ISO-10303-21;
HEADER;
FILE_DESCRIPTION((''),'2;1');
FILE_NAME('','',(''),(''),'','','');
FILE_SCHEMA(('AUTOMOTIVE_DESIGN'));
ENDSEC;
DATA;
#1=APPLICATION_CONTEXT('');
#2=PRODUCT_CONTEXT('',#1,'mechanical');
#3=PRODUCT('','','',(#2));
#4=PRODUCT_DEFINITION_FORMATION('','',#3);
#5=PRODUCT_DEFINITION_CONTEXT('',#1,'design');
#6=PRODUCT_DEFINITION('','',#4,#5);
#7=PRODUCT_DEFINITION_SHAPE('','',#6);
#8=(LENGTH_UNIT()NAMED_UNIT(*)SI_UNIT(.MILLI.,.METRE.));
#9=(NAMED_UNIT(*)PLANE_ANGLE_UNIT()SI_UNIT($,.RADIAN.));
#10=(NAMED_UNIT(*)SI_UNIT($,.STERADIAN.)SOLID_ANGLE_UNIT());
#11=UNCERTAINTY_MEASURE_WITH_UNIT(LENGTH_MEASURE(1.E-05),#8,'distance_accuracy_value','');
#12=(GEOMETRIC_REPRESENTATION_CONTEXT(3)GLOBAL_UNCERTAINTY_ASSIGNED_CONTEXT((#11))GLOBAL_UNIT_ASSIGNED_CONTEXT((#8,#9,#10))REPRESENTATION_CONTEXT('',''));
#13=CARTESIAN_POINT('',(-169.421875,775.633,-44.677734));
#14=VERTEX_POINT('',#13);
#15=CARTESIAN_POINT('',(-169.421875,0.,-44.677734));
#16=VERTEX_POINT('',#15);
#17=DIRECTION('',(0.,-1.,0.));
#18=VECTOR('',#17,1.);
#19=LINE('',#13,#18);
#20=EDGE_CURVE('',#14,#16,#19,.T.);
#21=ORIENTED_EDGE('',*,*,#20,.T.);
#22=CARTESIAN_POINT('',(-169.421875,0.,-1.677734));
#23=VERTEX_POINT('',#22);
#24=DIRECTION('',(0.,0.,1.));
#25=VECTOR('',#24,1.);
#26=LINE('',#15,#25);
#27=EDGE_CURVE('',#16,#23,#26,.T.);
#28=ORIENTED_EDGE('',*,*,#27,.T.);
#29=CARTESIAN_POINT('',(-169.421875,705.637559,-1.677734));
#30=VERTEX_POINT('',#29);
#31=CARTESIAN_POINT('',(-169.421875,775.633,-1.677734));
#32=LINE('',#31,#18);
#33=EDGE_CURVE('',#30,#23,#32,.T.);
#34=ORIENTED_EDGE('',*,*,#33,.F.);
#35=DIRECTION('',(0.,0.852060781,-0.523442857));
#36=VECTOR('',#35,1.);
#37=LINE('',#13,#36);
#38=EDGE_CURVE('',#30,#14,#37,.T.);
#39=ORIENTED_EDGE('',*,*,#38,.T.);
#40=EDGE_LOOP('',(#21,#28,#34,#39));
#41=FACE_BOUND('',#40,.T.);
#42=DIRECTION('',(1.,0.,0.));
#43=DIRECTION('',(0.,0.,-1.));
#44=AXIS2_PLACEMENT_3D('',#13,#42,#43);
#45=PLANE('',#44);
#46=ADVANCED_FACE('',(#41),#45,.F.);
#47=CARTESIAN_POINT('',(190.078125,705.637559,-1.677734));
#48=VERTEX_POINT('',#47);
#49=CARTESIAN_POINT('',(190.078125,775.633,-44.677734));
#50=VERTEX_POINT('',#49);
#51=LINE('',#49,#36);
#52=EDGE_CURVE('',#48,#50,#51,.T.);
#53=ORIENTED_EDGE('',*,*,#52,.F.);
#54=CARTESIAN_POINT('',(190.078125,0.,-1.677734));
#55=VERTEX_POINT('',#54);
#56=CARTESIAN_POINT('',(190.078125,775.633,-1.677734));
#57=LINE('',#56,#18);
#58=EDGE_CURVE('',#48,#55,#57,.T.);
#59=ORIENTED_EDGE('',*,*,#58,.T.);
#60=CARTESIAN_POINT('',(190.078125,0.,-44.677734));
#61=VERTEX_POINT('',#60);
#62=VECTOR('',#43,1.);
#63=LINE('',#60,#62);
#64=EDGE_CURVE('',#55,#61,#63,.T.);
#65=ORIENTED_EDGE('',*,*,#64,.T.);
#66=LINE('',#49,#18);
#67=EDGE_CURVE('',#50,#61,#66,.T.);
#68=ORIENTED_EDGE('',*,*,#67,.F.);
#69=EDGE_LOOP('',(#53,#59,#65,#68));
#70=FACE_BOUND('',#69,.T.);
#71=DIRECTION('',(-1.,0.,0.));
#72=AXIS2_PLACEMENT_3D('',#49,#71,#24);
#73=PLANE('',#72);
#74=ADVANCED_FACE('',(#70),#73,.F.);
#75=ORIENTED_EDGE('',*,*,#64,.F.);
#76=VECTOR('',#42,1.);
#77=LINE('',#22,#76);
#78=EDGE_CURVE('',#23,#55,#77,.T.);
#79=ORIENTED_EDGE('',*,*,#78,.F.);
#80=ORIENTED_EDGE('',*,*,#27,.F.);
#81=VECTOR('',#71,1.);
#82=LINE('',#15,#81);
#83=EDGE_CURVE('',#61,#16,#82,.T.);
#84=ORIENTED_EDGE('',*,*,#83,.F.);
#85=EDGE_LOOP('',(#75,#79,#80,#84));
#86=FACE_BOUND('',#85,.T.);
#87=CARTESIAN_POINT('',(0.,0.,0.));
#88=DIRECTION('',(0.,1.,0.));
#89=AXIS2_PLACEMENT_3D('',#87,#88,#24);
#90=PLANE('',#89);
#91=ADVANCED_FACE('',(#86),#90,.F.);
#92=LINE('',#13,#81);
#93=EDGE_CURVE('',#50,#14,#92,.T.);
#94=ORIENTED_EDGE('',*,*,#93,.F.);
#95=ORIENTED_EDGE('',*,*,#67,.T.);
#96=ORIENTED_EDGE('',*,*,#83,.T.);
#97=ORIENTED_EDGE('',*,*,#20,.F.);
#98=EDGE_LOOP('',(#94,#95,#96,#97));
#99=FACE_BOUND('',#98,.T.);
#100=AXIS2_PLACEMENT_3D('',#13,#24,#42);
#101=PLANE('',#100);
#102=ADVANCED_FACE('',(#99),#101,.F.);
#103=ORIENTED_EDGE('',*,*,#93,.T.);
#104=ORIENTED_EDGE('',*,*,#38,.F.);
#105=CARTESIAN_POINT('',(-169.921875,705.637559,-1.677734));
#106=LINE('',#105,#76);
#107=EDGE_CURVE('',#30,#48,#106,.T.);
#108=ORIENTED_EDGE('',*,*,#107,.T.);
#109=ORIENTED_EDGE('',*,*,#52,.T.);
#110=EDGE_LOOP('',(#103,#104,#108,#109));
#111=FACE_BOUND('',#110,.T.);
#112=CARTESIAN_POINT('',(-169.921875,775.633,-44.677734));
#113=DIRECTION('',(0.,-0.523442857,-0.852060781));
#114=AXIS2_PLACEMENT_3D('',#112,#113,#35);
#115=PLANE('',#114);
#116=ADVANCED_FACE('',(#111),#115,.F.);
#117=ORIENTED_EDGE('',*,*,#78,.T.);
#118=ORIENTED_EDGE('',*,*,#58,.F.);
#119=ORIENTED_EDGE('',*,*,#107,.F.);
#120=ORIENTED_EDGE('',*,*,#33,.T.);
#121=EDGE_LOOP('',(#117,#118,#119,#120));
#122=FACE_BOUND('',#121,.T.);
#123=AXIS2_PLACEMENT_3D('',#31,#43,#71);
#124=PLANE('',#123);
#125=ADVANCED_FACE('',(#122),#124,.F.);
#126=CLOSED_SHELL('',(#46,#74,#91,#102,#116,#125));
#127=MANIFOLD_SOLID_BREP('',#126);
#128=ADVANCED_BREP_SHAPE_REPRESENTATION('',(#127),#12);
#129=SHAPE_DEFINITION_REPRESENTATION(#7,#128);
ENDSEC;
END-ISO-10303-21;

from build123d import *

# Parameters (mm, degrees)
CROQUIS1_W              = 359.5
CROQUIS1_H              = 43
SALIENTE_EXTRUIR1_DEPTH = 775.633
CORTAR_EXTRUIR1_DEPTH   = 360


with BuildPart() as part:
    # Croquis1 → Saliente-Extruir1 (new body)
    with BuildSketch(Plane(origin=(0, 0, 0), x_dir=(1, 0, 0), z_dir=(0, 1, 0))):
        with Locations((10.328125, 23.177734375)):
            Rectangle(CROQUIS1_W, CROQUIS1_H)
    extrude(amount=SALIENTE_EXTRUIR1_DEPTH)

    # Croquis5 → Cortar-Extruir1 (cut)
    with BuildSketch(Plane(origin=(190.078125, 0, 0), x_dir=(0, 0, -1), z_dir=(1, 0, 0))):
        Polygon((44.677734375, 775.633), (1.677734375, 705.63755904), (1.677734375, 775.633), align=None)
    extrude(amount=-CORTAR_EXTRUIR1_DEPTH, mode=Mode.SUBTRACT)


solid = part.part
